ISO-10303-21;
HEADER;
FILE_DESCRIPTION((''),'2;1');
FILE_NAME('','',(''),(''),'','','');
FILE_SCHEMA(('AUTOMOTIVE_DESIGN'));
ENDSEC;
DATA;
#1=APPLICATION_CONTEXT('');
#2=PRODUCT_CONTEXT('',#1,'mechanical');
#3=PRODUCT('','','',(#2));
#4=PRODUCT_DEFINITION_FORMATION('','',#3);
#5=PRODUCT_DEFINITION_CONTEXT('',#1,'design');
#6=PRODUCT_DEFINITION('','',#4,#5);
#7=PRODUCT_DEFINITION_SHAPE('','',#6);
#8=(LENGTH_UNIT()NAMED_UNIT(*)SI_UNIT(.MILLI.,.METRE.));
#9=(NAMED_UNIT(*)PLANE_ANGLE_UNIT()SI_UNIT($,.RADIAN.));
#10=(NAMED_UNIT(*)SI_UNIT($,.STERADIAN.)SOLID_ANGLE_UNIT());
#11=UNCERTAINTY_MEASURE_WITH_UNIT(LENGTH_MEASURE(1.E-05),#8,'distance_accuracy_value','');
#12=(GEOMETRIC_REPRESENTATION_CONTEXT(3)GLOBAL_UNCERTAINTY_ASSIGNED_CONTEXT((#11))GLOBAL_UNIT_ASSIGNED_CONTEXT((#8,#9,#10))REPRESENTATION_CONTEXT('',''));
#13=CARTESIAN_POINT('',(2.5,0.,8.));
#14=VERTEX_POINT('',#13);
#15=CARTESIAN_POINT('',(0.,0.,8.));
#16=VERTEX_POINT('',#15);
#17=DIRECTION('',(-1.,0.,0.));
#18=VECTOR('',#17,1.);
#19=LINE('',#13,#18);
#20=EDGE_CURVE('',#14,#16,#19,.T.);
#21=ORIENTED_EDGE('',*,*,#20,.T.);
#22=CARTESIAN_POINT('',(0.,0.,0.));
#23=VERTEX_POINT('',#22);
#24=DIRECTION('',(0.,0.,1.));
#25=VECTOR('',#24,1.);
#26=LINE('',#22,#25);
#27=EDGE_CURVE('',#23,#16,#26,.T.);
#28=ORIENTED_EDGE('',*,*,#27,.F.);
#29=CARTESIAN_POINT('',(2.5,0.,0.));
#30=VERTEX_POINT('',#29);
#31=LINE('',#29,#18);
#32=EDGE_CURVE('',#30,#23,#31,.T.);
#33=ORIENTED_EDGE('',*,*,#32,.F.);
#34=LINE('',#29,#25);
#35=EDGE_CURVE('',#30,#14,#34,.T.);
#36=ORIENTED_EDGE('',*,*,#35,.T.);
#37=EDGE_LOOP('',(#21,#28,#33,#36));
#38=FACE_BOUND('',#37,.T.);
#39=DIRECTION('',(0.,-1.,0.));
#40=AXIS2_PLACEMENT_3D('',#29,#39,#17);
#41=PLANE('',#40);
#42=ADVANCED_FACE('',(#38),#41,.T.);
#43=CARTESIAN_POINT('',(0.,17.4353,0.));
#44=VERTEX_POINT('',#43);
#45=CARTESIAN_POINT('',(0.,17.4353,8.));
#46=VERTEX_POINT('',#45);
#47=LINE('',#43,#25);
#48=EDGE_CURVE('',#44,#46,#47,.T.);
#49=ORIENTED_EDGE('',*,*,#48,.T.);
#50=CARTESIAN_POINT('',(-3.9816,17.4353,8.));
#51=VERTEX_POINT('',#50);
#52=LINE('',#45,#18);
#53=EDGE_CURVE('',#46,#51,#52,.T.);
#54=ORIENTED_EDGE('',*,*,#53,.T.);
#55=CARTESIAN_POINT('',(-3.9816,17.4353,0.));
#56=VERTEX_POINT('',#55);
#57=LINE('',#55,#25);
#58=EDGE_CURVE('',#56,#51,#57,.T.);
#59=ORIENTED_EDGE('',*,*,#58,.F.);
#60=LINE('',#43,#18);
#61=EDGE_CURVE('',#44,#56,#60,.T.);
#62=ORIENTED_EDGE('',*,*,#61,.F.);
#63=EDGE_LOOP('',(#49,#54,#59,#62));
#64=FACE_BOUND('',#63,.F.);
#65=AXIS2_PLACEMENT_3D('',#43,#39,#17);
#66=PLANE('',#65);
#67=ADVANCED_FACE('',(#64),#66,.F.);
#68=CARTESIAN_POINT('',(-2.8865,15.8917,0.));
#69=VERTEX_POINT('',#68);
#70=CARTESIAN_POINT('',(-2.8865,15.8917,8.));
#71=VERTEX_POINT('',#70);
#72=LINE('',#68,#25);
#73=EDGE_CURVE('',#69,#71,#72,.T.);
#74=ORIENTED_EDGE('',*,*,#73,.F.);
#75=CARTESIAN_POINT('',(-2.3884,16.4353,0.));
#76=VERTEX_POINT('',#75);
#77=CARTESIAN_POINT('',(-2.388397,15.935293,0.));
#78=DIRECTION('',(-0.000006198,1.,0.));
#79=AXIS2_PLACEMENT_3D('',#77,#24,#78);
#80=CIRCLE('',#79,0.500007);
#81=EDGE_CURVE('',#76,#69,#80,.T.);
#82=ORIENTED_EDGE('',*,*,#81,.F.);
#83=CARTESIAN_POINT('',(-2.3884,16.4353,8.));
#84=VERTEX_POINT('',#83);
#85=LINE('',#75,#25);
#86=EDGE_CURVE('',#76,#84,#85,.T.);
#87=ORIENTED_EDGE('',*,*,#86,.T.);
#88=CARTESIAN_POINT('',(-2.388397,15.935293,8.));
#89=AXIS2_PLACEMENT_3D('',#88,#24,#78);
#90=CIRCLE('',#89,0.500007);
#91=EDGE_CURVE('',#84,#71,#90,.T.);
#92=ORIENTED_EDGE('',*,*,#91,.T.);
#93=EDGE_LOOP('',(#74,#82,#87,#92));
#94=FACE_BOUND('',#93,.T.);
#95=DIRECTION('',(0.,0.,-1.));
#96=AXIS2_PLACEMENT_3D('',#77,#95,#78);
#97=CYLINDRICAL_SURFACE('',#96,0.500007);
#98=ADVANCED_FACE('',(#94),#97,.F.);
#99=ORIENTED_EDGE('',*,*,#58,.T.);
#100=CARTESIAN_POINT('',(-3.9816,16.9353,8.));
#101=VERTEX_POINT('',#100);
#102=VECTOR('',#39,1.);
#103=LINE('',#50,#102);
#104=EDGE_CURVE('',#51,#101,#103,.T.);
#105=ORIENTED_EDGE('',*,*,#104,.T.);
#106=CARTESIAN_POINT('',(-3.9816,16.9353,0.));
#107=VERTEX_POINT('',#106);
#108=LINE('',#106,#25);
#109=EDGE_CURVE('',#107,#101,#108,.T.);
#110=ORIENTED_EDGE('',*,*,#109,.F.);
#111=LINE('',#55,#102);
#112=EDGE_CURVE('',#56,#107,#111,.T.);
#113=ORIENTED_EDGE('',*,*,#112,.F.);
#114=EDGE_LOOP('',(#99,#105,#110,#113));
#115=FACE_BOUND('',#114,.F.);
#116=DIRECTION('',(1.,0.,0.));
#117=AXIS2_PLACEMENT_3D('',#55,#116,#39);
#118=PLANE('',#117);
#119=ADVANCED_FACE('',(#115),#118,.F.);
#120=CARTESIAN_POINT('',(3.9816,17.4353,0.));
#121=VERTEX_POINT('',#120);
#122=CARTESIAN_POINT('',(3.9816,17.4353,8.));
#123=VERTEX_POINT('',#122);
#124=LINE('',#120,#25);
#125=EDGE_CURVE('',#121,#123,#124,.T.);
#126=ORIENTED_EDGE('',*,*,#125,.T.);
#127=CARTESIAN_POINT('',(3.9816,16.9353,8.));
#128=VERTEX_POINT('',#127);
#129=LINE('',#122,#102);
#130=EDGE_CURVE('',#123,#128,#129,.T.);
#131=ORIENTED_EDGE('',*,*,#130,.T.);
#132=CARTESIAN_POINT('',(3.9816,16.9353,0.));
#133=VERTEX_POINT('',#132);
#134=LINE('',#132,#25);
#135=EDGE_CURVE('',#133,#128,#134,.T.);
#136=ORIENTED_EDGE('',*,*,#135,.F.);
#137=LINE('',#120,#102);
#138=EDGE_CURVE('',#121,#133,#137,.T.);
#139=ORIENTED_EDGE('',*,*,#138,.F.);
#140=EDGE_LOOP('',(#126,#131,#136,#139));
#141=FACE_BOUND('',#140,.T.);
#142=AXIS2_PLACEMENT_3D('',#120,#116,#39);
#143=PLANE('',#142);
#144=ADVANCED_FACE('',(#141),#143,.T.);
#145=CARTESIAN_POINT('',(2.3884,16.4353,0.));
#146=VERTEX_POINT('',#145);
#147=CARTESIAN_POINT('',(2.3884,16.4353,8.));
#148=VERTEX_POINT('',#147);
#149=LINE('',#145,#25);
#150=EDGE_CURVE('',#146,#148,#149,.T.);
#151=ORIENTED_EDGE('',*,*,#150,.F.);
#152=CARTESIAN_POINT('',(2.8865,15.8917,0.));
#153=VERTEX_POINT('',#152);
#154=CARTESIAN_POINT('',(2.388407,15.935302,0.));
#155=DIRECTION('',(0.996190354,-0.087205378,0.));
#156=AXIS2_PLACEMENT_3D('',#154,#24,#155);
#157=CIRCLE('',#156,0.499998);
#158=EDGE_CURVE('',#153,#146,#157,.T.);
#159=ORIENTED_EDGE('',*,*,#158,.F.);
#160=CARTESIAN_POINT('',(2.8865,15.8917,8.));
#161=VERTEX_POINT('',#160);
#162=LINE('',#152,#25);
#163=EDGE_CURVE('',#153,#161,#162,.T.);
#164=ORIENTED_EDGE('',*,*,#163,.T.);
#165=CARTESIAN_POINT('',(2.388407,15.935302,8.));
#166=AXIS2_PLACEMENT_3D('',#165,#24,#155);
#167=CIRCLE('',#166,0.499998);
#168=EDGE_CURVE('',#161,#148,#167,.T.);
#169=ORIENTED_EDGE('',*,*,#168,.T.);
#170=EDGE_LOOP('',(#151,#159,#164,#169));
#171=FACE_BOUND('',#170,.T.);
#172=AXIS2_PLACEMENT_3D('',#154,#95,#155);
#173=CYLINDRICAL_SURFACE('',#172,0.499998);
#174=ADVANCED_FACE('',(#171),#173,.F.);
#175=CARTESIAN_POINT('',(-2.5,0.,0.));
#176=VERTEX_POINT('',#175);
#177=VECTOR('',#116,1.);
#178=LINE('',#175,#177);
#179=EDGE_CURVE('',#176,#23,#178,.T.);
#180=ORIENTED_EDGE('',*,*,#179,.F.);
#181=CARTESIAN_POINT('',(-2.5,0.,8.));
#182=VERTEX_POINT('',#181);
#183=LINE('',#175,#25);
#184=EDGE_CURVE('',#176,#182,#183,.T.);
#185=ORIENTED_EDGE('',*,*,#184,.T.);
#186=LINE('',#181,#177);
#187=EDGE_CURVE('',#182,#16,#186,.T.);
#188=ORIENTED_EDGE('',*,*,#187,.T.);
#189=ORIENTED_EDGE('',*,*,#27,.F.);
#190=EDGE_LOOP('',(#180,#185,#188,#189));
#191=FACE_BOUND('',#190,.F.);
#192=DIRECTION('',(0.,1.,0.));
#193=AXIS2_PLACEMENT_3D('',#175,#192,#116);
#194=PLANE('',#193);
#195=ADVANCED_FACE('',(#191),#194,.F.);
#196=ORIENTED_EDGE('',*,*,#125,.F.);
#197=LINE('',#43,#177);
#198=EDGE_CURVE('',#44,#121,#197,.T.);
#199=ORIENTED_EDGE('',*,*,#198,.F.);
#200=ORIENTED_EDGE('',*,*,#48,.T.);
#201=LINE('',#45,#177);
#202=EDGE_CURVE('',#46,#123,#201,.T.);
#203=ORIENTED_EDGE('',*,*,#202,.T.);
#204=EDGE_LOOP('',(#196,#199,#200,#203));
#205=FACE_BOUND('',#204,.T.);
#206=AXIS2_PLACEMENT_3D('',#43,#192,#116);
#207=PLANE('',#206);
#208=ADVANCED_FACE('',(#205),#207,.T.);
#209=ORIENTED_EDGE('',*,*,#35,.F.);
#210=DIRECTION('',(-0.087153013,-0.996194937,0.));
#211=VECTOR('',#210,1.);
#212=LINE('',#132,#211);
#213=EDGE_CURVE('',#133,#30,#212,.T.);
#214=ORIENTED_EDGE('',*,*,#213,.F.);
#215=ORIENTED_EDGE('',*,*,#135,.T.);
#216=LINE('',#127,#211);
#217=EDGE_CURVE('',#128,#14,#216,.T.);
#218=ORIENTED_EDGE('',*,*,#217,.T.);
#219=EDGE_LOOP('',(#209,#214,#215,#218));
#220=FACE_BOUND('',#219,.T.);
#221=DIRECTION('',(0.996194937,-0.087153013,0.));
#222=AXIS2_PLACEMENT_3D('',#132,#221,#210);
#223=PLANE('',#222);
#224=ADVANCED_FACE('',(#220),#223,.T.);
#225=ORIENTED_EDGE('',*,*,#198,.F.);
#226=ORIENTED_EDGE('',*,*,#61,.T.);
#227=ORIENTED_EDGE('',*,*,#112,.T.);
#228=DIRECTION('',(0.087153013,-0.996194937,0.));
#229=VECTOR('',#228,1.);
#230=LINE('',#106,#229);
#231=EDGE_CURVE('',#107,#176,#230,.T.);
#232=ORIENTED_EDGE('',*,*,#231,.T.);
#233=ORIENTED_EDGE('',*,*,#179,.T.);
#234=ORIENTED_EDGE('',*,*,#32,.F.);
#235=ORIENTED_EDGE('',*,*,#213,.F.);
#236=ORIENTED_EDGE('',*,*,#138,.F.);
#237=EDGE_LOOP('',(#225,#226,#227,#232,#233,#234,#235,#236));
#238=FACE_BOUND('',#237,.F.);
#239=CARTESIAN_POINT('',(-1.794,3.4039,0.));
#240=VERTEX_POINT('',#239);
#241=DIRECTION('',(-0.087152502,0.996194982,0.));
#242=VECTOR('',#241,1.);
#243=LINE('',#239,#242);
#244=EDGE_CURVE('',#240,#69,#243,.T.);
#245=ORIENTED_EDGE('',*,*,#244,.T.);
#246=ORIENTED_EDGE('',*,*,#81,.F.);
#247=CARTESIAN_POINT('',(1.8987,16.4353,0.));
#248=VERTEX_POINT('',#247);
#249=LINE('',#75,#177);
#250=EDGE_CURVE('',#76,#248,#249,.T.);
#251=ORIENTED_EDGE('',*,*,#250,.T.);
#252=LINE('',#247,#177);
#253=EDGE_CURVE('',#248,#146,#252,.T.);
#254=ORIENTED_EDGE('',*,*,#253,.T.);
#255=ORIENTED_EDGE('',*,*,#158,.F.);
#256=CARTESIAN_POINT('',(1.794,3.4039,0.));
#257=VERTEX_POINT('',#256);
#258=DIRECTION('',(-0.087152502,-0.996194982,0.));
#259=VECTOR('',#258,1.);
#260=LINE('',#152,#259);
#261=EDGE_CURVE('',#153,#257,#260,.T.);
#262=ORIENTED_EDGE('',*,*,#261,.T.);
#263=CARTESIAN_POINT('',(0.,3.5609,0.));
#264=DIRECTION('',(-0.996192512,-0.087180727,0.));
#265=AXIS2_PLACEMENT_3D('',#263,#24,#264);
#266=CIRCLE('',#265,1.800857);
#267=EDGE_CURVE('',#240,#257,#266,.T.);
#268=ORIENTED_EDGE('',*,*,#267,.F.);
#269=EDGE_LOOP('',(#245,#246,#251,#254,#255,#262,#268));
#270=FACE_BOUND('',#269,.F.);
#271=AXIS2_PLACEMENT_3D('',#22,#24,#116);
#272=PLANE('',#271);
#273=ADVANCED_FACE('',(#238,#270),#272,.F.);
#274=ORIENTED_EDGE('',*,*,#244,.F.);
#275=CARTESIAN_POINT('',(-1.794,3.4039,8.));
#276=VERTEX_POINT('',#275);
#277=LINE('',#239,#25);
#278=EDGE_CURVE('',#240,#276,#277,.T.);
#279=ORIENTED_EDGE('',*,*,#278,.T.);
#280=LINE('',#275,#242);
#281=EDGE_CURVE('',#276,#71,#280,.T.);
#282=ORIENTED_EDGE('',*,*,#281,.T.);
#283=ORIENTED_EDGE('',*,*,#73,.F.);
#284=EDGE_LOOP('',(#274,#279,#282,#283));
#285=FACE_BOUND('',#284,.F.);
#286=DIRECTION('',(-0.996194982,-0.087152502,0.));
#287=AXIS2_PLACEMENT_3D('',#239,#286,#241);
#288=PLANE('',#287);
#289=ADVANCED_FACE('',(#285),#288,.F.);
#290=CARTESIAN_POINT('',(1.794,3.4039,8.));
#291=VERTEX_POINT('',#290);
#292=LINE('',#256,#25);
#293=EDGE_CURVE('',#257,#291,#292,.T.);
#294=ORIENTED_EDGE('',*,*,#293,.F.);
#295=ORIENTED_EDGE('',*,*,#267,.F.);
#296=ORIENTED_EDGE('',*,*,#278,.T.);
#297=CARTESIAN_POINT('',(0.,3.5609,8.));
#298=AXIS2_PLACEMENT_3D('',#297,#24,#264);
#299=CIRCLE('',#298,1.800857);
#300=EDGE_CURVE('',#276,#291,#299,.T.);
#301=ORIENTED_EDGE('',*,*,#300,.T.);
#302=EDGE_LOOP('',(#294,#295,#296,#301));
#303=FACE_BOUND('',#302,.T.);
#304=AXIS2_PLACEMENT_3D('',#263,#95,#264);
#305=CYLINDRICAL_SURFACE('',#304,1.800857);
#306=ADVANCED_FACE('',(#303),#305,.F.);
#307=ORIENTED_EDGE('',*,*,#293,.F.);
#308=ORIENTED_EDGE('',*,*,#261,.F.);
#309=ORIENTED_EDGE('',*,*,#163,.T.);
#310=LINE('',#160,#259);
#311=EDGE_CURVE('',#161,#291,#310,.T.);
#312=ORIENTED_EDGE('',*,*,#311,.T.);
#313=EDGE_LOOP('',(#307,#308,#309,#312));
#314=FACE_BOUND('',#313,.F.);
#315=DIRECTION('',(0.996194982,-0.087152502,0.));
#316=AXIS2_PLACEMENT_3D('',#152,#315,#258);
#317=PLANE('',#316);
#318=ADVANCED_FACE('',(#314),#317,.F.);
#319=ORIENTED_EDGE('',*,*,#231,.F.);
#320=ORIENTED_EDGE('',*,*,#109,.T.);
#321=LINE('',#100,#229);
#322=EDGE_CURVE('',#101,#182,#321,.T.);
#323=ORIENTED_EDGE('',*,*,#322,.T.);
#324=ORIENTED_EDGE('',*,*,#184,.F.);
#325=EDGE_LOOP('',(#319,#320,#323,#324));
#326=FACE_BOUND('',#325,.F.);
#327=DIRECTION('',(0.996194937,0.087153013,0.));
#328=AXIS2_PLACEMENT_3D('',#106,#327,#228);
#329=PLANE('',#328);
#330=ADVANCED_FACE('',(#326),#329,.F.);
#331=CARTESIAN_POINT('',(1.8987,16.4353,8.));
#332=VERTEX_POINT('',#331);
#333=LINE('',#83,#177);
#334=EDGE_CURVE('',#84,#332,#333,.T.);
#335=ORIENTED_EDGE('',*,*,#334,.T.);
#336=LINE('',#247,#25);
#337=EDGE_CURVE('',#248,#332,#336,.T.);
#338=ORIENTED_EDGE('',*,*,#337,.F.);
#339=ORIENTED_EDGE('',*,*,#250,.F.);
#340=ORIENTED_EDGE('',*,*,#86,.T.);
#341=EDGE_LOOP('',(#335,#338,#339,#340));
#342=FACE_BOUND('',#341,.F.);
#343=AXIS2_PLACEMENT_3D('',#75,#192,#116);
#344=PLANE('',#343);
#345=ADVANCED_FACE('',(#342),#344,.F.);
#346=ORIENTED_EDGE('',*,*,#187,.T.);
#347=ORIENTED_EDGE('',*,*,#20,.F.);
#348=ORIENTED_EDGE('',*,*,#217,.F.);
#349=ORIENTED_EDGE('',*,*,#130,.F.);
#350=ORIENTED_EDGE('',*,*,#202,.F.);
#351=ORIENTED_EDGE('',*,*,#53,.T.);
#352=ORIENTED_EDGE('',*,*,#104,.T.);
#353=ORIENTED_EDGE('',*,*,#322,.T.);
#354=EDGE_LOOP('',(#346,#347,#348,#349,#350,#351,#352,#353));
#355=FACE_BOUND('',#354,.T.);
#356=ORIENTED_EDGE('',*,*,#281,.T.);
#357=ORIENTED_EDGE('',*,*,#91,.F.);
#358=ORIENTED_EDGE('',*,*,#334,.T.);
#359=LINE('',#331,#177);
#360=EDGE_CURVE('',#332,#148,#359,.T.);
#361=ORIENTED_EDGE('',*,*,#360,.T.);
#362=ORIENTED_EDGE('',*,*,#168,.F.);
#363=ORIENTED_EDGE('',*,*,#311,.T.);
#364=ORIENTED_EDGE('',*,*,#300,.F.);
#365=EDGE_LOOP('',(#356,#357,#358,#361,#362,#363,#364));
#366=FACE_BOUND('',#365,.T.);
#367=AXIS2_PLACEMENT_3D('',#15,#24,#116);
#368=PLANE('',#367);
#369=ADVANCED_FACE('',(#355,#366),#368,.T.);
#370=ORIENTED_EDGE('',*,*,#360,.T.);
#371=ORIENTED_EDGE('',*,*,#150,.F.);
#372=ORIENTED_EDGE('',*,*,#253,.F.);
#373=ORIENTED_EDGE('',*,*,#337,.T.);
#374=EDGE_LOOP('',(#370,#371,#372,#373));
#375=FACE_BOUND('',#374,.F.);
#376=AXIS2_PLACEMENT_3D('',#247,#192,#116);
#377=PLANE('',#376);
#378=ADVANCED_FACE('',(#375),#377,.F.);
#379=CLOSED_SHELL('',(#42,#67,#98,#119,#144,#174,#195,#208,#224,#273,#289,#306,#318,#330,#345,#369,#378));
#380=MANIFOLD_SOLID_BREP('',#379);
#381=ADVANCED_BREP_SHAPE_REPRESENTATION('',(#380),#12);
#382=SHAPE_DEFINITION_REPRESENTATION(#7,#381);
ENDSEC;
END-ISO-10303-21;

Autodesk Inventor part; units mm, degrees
ref_plane "YZ Plane" through (0, 0, 0) normal (1, 0, 0) x (0, 1, 0)
ref_plane "XZ Plane" through (0, 0, 0) normal (0, 1, 0) x (-1, 0, 0)
ref_plane "XY Plane" through (0, 0, 0) normal (0, 0, 1) x (1, 0, 0)
sketch "Sketch1" plane through (0, 0, 0) normal (0, 0, 1) x (1, 0, 0)
  line L0 (0, 0) -> (0, 17.4353) construction
  line L1 (0, 17.4353) -> (-3.9816, 17.4353)
  line L2 (-3.9816, 17.4353) -> (-3.9816, 16.9353)
  line L3 (-3.9816, 16.9353) -> (-2.5, 0)
  line L4 (-2.5, 0) -> (0, 0)
  line L5 (0, 17.4353) -> (3.9816, 17.4353)
  line L6 (3.9816, 17.4353) -> (3.9816, 16.9353)
  line L7 (3.9816, 16.9353) -> (2.5, 0)
  line L8 (2.5, 0) -> (0, 0)
  line L9 (-2.3884, 16.4353) -> (1.8987, 16.4353)
  line L10 (1.8987, 16.4353) -> (2.3884, 16.4353)
  line L11 (2.8865, 15.8917) -> (1.794, 3.4039)
  line L12 (-1.794, 3.4039) -> (-2.8865, 15.8917)
  arc A0 (-2.3884, 16.4353) -> (-2.8865, 15.8917) centre (-2.3884, 15.9353) ccw
  arc A1 (2.8865, 15.8917) -> (2.3884, 16.4353) centre (2.3884, 15.9353) ccw
  arc A2 (-1.794, 3.4039) -> (1.794, 3.4039) centre (0, 3.5609) ccw
  point P0 (-2.9341, 16.4353)
  point P1 (2.9341, 16.4353)
  point P2 (0, -17.1014)
  point P3 (1.8884, 16.4353)
  dimension "d1" = 5
  dimension "d2" = 0.5
  dimension "d3" = 17
  dimension "d4" = 1
  dimension "d7" = 0.5
  dimension "d8" = 5
extrude "Extrusion1" add sketch "Sketch1" along normal blind 8
properties part number "MainBracketY"
